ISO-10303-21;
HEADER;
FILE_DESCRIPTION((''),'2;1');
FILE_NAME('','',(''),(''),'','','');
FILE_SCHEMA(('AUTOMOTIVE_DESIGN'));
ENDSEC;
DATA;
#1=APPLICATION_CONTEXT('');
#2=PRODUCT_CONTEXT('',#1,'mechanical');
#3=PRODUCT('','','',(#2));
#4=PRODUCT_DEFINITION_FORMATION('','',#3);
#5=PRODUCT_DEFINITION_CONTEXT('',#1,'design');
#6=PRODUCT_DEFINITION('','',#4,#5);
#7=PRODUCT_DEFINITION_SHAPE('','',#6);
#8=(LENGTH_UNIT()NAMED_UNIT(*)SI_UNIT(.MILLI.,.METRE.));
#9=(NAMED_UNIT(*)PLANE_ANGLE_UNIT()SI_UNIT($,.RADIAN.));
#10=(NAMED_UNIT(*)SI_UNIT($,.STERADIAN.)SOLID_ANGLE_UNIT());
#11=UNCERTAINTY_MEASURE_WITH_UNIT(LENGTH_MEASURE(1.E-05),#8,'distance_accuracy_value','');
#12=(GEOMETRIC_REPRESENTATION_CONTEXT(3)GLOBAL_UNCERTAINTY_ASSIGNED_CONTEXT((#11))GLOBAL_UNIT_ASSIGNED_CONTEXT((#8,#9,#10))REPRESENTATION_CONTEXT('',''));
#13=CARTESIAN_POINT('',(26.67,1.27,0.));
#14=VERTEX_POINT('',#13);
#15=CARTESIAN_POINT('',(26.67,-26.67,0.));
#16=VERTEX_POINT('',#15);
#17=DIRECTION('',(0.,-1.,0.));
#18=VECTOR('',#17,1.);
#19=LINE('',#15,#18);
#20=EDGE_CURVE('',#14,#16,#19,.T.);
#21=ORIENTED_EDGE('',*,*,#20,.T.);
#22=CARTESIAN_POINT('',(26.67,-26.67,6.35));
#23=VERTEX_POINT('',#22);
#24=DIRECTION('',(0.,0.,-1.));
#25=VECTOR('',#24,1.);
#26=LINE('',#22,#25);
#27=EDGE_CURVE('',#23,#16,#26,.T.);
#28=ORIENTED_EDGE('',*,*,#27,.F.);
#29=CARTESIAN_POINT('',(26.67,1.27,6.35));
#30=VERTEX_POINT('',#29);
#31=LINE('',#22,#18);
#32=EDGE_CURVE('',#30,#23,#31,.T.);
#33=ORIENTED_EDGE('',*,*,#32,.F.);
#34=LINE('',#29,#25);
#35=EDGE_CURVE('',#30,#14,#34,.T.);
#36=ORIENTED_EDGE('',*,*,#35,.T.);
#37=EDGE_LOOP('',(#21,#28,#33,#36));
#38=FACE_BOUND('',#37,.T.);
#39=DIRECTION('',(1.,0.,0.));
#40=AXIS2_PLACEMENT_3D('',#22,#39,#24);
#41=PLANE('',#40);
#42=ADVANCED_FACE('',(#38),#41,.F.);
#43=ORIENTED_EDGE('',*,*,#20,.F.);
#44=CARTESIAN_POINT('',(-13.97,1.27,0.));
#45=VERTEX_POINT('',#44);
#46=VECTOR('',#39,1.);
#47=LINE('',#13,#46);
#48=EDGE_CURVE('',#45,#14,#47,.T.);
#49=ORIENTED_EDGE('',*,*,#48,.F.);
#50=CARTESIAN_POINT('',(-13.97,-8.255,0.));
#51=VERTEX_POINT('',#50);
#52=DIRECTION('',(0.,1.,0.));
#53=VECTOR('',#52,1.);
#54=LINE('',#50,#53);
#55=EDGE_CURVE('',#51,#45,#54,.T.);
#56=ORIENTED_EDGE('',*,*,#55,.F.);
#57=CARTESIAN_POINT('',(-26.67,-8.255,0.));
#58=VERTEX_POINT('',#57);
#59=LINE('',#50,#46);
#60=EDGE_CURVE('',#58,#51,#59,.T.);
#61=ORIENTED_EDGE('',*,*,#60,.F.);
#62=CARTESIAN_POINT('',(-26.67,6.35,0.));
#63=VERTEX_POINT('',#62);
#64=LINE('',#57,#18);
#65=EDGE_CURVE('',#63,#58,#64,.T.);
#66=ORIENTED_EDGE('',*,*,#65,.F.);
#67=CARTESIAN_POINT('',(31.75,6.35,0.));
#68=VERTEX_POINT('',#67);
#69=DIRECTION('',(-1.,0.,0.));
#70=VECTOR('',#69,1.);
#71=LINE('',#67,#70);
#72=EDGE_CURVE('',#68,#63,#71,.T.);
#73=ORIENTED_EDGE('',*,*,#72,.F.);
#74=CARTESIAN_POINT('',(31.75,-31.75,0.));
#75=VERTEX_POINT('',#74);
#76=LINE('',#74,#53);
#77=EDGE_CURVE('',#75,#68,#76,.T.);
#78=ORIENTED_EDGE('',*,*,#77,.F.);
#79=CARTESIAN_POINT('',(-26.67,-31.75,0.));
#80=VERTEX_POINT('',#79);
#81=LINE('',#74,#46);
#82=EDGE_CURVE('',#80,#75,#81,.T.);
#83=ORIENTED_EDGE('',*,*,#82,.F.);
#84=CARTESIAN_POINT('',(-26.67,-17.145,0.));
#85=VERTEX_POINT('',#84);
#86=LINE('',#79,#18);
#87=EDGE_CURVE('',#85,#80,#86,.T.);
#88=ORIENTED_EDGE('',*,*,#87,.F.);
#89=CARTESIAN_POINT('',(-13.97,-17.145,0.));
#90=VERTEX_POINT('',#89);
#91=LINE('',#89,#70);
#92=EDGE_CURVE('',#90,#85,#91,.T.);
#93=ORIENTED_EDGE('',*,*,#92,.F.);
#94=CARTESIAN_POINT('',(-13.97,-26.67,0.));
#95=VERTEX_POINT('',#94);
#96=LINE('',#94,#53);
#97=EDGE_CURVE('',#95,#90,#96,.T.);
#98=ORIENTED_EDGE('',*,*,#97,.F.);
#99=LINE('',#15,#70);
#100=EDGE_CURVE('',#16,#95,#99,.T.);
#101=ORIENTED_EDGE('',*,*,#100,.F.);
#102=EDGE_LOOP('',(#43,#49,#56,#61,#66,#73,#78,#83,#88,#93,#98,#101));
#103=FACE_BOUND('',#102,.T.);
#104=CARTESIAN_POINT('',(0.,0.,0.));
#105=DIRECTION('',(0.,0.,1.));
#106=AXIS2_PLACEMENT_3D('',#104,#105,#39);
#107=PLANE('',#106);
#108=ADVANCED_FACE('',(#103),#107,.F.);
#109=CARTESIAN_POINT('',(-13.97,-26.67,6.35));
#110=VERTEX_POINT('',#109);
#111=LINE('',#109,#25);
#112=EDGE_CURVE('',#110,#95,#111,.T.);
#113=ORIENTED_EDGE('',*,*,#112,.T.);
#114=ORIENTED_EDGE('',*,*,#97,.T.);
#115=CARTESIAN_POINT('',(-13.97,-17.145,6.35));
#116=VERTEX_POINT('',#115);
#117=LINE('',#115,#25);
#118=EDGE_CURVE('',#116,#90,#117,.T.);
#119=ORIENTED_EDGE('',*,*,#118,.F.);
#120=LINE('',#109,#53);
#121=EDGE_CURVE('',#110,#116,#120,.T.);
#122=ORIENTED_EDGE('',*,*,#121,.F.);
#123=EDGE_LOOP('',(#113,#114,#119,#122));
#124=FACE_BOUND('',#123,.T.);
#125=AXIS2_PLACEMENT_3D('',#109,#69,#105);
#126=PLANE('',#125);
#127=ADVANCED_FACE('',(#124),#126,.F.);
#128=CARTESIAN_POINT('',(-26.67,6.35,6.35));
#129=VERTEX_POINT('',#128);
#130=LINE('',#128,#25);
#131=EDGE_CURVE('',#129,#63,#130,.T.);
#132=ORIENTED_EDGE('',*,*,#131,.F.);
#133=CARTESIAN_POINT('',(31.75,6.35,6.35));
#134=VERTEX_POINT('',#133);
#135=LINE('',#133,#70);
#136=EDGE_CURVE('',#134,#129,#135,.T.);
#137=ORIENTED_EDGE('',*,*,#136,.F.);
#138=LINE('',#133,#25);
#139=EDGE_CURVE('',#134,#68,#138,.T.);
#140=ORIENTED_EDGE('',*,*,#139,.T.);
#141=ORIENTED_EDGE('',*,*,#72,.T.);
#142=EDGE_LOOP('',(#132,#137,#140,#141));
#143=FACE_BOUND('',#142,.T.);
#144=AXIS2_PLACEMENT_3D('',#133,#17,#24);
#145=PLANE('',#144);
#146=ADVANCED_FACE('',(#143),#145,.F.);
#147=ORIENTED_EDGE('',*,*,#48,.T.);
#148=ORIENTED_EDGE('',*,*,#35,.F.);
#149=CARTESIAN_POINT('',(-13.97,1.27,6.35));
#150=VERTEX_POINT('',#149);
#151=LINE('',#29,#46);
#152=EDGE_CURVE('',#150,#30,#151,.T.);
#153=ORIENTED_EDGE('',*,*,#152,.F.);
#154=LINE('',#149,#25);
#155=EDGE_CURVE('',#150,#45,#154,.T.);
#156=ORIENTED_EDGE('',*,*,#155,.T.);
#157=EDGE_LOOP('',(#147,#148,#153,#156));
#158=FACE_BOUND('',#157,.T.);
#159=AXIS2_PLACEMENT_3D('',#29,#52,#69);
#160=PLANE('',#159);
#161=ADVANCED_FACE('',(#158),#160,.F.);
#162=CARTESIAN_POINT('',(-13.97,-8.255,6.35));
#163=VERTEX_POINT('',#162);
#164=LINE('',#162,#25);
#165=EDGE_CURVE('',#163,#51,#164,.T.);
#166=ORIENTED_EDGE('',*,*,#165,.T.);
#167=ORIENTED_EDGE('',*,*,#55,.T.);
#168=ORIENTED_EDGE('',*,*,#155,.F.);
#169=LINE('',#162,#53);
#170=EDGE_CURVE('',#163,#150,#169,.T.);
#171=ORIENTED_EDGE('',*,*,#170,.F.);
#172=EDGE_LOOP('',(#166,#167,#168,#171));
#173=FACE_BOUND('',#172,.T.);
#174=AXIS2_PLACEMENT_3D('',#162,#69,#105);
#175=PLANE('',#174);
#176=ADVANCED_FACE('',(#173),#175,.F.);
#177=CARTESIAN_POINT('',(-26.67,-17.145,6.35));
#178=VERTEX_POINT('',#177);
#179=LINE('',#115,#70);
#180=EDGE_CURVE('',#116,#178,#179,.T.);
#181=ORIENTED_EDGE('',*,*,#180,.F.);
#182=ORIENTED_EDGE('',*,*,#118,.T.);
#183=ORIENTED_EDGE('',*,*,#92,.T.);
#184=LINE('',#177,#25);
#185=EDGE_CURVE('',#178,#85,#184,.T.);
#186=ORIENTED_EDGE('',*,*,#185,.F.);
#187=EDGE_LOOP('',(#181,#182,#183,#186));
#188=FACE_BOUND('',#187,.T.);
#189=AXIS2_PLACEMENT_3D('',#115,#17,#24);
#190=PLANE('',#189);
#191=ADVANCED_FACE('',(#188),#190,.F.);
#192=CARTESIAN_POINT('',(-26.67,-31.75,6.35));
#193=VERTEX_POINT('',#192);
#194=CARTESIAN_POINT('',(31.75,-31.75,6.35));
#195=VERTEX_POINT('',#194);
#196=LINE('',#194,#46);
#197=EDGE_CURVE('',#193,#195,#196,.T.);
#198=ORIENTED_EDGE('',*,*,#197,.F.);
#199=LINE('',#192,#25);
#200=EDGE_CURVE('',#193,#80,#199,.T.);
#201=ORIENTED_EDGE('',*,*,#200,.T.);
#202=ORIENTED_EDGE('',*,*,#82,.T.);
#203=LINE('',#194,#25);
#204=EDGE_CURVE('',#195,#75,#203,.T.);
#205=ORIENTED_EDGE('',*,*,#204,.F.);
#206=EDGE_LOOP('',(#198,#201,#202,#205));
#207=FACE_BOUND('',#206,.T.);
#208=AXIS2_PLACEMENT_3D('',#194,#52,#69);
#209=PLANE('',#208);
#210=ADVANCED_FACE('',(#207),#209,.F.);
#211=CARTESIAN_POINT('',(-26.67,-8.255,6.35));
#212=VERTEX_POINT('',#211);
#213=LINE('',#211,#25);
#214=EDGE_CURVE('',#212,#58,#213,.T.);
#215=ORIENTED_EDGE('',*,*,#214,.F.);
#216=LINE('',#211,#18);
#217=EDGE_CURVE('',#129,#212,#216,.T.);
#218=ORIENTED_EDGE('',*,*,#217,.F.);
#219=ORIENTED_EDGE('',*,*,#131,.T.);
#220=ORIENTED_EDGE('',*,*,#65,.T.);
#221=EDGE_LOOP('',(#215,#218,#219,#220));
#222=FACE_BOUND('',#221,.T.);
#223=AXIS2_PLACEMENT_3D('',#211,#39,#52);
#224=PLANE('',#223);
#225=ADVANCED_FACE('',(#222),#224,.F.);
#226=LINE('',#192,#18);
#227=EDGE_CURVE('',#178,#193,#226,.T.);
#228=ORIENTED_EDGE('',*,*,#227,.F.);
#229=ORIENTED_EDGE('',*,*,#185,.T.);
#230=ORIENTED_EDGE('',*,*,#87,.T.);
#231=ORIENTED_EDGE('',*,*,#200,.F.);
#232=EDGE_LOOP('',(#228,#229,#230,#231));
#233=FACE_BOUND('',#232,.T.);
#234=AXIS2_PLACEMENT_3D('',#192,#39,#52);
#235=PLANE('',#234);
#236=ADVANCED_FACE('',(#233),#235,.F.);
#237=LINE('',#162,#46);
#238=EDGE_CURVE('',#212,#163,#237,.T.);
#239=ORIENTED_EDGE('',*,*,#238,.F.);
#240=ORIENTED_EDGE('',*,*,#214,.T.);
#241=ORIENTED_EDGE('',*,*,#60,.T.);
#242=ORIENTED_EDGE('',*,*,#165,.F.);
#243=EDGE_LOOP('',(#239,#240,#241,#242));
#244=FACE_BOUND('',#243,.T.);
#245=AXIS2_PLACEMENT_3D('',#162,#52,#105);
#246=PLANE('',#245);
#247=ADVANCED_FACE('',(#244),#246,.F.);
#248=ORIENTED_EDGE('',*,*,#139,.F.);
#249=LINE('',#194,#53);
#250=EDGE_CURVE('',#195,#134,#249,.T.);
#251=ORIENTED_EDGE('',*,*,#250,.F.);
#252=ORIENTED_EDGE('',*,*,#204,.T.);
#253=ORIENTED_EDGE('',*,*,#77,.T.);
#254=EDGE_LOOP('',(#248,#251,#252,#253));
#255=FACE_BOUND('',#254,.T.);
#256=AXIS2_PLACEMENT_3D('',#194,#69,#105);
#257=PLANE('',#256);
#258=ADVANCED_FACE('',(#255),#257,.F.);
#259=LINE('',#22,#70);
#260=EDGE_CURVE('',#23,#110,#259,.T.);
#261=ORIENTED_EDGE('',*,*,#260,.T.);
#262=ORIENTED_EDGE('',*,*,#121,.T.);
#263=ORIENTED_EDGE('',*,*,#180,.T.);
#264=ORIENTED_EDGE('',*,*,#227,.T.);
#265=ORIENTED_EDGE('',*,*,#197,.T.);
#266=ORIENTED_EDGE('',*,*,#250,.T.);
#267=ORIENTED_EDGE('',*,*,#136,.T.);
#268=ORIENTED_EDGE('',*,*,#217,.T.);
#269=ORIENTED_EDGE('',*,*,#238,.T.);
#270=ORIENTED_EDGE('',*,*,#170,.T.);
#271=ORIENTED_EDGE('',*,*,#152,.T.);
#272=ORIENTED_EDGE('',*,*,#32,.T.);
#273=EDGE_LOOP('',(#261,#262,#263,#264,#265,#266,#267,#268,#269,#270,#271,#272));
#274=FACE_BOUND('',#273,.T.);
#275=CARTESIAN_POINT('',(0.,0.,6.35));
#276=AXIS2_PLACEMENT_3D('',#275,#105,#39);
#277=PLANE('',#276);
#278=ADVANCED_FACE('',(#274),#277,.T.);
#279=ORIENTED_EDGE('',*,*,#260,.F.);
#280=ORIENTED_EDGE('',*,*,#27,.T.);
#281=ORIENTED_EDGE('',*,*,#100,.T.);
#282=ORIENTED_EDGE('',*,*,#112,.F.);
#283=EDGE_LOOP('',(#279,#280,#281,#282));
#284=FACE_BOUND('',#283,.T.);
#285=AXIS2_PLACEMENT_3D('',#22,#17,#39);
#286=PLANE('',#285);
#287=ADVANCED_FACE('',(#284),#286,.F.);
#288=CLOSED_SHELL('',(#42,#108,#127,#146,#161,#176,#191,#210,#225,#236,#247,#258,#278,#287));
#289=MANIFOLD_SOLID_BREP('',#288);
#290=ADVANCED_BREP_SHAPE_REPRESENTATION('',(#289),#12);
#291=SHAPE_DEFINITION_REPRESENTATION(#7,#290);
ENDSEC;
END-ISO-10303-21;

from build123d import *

# Parameters (mm, degrees)
BOSS_EXTRUDE1_DEPTH = 6.35


with BuildPart() as part:
    # Sketch1 → Boss-Extrude1 (new body)
    with BuildSketch(Plane.XY):
        Polygon((-13.97, -8.255), (-26.67, -8.255), (-26.67, 6.35), (31.75, 6.35), (31.75, -31.75), (-26.67, -31.75), (-26.67, -17.145), (-13.97, -17.145), (-13.97, -26.67), (26.67, -26.67), (26.67, 1.27), (-13.97, 1.27), align=None)
    extrude(amount=BOSS_EXTRUDE1_DEPTH)


solid = part.part
